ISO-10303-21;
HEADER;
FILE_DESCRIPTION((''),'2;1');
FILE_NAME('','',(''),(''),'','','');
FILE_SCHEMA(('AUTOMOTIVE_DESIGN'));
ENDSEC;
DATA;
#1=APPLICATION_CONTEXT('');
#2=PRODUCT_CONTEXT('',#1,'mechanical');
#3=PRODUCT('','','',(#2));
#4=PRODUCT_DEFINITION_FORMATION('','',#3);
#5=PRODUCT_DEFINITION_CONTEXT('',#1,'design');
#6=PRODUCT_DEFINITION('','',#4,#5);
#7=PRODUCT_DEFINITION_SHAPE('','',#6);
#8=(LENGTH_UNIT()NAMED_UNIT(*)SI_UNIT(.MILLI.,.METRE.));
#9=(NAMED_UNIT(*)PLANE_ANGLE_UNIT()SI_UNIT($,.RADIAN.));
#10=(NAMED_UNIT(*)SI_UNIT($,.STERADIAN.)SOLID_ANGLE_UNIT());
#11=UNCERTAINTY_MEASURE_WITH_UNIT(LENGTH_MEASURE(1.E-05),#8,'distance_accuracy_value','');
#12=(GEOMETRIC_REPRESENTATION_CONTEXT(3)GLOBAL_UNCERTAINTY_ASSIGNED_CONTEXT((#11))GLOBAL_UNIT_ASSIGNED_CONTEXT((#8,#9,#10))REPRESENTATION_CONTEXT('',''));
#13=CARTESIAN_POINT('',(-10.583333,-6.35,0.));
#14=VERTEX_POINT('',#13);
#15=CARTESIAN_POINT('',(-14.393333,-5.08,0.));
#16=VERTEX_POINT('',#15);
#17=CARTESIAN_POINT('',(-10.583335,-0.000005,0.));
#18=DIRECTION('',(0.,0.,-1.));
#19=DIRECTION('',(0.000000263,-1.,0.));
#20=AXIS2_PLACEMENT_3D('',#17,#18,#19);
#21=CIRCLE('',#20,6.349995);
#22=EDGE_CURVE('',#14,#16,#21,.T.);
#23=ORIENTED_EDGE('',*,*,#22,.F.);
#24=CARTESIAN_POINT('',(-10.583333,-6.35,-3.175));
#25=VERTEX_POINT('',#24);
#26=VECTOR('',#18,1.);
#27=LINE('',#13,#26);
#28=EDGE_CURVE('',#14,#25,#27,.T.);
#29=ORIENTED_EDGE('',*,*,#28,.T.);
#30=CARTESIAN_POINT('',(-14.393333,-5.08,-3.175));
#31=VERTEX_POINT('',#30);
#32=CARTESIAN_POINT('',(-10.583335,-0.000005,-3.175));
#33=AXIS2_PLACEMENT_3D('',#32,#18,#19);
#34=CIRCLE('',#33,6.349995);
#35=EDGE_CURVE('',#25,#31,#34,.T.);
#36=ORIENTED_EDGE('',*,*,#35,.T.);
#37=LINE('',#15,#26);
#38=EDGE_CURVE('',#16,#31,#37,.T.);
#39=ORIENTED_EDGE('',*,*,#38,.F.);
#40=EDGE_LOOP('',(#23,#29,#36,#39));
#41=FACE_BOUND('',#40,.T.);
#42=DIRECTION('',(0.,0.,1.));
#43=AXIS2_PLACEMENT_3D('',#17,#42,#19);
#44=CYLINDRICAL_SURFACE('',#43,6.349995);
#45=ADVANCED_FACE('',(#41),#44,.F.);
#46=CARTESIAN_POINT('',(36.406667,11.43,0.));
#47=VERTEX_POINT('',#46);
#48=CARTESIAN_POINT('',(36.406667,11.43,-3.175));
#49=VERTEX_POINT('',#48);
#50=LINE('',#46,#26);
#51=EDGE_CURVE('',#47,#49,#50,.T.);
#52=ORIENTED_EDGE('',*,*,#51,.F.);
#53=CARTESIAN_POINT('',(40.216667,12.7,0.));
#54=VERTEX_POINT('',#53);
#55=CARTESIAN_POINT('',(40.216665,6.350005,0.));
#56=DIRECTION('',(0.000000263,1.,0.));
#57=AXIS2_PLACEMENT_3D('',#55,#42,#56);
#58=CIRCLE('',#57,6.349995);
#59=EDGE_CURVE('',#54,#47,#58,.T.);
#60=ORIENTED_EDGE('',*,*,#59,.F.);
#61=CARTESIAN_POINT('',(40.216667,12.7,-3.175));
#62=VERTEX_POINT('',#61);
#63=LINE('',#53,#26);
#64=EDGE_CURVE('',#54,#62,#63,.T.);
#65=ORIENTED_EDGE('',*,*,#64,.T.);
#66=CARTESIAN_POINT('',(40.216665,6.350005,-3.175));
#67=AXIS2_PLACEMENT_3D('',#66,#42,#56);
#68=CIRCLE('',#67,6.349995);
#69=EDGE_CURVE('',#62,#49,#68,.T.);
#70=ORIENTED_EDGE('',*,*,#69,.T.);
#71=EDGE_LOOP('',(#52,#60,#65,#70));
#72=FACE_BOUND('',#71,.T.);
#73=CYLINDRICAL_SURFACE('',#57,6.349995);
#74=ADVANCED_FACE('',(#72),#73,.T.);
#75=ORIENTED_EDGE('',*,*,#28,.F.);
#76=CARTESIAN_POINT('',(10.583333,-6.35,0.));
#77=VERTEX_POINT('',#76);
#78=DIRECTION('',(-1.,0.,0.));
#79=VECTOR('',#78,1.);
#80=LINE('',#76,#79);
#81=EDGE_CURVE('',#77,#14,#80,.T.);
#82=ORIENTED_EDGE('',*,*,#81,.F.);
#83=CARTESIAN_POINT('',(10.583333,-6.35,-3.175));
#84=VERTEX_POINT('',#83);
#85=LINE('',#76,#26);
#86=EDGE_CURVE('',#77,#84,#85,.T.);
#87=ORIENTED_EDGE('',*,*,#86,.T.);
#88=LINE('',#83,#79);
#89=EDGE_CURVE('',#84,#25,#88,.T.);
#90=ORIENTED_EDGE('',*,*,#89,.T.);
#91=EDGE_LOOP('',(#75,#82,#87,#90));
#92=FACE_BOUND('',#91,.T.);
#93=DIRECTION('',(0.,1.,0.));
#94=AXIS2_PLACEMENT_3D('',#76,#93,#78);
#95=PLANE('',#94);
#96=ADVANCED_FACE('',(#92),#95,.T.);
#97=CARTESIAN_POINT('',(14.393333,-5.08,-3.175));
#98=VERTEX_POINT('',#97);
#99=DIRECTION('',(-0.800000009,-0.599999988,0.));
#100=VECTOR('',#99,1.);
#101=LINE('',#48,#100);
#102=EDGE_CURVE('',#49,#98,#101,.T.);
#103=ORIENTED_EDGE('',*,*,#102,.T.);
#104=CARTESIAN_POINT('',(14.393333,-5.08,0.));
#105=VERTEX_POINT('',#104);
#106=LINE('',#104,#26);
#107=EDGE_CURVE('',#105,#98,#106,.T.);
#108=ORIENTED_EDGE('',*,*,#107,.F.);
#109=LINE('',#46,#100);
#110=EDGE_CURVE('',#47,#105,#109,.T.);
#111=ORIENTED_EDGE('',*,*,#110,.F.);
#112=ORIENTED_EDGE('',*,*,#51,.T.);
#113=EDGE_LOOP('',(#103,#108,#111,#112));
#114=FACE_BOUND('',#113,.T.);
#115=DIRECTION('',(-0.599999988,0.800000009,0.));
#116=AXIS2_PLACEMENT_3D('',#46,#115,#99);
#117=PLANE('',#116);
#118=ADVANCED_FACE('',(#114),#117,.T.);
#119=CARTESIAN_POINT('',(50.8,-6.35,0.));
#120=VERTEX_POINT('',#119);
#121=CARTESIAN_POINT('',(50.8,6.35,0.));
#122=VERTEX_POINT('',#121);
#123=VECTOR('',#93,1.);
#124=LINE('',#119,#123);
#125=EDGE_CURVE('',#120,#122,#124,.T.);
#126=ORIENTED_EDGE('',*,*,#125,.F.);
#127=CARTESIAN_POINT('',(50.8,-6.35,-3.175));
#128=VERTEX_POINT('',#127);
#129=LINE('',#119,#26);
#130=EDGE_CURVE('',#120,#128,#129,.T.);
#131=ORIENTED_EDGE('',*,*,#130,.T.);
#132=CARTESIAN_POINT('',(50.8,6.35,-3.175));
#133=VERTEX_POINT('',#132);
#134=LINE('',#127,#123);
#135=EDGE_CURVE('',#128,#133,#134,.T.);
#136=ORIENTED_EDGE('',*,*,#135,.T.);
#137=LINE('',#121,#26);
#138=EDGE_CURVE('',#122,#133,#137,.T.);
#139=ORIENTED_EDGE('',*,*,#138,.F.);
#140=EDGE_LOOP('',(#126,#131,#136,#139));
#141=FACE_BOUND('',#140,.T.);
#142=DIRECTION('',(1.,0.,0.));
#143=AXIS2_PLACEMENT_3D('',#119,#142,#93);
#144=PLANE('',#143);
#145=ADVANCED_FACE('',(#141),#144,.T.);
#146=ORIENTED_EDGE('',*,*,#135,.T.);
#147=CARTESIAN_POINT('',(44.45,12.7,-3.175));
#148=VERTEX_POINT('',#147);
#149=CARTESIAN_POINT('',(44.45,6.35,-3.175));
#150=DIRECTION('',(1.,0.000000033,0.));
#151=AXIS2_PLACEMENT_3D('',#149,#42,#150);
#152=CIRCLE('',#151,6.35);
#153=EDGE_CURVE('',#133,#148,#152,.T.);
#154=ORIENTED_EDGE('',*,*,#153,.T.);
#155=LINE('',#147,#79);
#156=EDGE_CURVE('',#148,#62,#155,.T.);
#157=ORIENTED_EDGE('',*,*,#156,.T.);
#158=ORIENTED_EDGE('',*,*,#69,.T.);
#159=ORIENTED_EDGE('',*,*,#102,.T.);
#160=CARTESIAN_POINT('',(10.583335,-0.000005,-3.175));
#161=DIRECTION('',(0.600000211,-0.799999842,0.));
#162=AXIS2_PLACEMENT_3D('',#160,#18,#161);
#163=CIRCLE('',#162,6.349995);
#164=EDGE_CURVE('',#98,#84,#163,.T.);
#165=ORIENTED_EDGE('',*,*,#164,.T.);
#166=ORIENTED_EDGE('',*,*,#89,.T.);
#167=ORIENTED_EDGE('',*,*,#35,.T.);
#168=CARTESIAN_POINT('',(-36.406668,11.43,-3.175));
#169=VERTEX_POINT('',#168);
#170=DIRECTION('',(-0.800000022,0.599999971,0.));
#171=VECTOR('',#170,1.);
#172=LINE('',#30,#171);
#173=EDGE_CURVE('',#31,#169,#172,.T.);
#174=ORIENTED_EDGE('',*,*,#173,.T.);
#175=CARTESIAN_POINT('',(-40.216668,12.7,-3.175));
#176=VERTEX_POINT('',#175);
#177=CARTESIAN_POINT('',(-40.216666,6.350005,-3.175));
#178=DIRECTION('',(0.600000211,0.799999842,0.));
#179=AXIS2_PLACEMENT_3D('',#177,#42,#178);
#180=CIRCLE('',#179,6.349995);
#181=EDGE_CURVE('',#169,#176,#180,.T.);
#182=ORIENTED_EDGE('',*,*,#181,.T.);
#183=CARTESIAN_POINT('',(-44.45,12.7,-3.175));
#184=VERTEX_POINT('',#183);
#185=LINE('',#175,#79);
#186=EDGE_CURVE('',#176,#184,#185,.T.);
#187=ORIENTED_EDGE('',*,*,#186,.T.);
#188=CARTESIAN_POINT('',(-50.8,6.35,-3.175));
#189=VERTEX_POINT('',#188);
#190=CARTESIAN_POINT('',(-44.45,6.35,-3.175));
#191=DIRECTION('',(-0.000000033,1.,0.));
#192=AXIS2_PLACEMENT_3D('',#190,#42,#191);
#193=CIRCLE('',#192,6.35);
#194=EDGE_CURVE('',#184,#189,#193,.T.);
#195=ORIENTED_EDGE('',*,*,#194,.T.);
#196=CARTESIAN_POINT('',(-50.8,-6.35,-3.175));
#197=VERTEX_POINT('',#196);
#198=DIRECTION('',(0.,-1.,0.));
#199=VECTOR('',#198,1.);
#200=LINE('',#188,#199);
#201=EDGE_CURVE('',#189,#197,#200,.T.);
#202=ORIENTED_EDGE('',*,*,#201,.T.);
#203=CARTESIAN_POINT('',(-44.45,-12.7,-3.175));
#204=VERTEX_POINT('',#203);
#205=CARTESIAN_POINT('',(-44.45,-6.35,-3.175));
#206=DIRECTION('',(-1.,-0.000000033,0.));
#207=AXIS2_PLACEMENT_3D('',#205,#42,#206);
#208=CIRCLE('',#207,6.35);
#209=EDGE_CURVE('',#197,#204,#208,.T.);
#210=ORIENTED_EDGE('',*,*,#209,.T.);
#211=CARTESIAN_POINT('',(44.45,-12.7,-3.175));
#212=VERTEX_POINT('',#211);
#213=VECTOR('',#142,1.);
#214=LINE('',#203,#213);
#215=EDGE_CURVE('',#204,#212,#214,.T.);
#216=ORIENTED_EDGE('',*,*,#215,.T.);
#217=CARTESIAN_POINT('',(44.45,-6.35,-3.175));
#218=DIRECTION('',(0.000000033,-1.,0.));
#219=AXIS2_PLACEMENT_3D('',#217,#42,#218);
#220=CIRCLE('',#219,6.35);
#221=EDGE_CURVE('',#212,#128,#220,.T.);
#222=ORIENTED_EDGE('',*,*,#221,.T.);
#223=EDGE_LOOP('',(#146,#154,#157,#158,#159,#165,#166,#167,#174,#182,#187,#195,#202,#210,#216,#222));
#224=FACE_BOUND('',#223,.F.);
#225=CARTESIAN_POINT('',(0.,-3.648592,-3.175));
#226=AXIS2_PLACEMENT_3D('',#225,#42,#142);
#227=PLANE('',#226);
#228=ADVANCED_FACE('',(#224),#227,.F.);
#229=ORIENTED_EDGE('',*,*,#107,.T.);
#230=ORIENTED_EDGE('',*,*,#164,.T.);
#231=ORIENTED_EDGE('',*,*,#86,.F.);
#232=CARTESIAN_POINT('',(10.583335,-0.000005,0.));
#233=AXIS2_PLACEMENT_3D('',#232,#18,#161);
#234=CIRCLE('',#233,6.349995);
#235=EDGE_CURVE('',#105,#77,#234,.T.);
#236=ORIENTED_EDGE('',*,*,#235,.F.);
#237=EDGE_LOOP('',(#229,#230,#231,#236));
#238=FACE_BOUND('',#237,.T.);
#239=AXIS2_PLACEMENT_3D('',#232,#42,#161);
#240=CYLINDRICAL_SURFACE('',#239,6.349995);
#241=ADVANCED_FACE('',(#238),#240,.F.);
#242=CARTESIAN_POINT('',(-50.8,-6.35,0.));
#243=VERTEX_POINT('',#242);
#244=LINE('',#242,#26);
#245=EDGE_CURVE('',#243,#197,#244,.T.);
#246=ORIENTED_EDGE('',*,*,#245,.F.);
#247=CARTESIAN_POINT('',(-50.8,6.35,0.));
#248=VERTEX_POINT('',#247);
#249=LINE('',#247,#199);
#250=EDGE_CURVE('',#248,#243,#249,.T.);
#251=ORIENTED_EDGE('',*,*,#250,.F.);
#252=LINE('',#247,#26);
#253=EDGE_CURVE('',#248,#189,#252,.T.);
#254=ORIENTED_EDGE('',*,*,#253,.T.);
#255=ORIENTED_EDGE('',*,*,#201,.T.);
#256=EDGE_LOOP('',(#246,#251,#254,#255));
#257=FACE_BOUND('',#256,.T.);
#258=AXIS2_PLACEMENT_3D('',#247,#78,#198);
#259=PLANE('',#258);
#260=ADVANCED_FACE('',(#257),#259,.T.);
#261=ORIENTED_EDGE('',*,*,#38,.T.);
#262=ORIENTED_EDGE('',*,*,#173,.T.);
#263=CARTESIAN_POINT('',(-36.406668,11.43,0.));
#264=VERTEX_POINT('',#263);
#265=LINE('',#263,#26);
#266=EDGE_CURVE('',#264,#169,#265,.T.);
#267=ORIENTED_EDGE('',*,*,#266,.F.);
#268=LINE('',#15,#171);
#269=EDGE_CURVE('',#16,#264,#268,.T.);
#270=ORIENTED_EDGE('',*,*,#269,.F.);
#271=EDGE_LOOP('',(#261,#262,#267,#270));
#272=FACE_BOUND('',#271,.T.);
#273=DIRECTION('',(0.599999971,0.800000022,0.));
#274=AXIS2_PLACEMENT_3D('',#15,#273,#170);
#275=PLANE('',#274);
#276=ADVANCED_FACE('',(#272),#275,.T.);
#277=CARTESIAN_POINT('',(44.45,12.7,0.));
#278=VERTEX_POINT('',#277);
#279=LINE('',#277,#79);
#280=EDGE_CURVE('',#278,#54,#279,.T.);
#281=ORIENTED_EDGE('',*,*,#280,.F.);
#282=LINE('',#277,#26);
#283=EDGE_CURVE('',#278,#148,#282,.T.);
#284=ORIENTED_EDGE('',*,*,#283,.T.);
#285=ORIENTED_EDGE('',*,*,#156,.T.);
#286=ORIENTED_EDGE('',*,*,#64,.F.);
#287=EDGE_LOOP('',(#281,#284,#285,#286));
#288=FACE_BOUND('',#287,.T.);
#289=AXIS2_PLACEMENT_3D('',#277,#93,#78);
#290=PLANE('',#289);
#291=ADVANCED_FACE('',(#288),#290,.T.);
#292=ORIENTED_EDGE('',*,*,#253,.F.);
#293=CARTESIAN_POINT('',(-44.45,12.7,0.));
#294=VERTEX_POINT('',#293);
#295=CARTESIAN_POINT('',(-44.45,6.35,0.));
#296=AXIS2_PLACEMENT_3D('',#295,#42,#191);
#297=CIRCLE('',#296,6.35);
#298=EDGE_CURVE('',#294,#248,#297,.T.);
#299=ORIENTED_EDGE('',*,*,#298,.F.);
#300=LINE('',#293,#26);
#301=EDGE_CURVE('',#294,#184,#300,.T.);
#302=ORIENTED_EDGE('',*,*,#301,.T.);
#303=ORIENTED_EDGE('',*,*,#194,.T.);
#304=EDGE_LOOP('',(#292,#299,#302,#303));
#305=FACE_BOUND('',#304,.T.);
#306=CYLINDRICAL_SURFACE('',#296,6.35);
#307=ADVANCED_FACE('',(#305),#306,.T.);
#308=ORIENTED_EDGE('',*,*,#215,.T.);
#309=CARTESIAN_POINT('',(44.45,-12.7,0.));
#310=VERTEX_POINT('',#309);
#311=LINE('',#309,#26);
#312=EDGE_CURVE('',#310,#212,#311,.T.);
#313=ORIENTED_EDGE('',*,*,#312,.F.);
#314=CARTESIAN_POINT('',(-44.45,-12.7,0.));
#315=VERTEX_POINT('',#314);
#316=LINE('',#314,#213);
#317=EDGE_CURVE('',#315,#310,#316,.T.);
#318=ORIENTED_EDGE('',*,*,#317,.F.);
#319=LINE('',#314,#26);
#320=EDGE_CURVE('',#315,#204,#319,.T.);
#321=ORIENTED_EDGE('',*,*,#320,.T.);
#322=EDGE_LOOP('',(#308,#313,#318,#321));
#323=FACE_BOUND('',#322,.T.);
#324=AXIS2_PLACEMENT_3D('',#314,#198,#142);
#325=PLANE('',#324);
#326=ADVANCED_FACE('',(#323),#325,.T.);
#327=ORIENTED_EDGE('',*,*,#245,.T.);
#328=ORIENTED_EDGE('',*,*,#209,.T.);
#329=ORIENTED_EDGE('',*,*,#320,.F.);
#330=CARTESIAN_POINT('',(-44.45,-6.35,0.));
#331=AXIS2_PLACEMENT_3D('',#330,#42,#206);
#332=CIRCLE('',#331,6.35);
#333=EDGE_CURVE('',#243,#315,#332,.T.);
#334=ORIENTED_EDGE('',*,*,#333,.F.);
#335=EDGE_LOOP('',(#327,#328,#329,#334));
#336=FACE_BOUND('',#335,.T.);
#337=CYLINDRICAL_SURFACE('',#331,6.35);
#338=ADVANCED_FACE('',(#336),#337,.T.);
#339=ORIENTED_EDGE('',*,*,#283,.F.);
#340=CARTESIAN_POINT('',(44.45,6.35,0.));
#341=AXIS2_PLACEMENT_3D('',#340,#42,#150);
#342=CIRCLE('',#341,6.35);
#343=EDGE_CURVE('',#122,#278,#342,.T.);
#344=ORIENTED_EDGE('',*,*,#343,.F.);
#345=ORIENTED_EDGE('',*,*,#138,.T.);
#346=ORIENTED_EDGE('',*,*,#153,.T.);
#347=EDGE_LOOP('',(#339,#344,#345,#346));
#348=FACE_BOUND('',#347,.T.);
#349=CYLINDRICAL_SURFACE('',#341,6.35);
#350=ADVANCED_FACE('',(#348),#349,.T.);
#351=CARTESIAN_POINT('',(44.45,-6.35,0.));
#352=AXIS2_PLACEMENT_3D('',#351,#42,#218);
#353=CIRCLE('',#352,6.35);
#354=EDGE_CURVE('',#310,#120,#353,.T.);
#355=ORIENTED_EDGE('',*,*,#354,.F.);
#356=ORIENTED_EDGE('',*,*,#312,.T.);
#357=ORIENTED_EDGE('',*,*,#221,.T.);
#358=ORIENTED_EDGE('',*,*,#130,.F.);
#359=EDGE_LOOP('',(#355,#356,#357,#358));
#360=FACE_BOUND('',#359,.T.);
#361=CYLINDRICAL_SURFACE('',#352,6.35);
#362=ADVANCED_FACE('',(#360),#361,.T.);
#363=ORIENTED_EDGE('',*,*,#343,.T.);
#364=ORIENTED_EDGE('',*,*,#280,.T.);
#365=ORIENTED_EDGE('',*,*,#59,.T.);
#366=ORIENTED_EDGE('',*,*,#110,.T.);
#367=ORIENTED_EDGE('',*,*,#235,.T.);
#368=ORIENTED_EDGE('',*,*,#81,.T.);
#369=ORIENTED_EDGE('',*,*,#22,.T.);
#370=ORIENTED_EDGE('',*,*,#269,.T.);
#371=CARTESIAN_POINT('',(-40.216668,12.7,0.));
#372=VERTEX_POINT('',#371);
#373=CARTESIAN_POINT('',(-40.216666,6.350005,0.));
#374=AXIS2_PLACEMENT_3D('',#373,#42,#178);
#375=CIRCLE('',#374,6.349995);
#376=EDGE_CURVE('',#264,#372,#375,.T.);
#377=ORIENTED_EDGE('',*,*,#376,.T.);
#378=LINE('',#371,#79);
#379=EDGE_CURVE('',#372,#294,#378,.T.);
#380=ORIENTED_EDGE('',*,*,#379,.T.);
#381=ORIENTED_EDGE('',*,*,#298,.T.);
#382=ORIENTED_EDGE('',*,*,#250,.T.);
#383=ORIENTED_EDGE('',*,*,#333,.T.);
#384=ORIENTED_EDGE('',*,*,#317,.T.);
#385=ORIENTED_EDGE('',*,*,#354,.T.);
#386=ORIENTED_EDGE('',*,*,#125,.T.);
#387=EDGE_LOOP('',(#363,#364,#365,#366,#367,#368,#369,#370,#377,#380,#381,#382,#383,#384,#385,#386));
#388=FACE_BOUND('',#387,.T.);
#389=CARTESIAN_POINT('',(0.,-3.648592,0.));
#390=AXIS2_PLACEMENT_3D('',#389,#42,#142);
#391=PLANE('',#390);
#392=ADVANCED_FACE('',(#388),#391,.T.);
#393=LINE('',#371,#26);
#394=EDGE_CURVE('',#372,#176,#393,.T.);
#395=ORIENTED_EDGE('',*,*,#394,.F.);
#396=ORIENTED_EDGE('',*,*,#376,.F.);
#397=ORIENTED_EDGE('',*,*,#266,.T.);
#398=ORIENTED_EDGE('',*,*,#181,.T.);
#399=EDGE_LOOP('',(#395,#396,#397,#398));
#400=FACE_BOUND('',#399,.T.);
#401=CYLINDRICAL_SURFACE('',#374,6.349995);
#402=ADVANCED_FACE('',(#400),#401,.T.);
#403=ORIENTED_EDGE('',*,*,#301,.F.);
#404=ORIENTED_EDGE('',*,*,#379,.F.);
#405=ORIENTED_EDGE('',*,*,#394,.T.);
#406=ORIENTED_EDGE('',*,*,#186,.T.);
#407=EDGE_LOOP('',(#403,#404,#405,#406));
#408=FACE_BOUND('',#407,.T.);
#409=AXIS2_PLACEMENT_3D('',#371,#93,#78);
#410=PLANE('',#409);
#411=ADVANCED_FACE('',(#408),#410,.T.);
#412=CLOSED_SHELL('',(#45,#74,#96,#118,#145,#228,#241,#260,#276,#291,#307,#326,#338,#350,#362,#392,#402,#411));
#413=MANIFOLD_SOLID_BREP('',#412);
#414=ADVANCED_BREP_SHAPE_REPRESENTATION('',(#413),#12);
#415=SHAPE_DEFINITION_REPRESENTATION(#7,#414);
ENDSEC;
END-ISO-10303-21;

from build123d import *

# Parameters (mm, degrees)
F1_DEPTH = 3.175


with BuildPart() as f1:
    # F0 (on Top) → F1 (new body)
    with BuildSketch(Plane.XY):
        with BuildLine():
            ThreePointArc((-36.406668, 11.43), (-38.208621, 12.374139), (-40.216668, 12.7))
            Line((-40.216668, 12.7), (-44.45, 12.7))
            ThreePointArc((-44.45, 12.7), (-48.940128, 10.840128), (-50.8, 6.35))
            Line((-50.8, 6.35), (-50.8, -6.35))
            ThreePointArc((-50.8, -6.35), (-48.940128, -10.840128), (-44.45, -12.7))
            Line((-44.45, -12.7), (44.45, -12.7))
            ThreePointArc((44.45, -12.7), (48.940128, -10.840128), (50.8, -6.35))
            Line((50.8, -6.35), (50.8, 6.35))
            ThreePointArc((50.8, 6.35), (48.940128, 10.840128), (44.45, 12.7))
            Line((44.45, 12.7), (40.216667, 12.7))
            ThreePointArc((40.216667, 12.7), (38.20862, 12.374139), (36.406667, 11.43))
            Line((36.406667, 11.43), (14.393333, -5.08))
            ThreePointArc((14.393333, -5.08), (12.59138, -6.024139), (10.583333, -6.35))
            Line((10.583333, -6.35), (-10.583333, -6.35))
            ThreePointArc((-10.583333, -6.35), (-12.59138, -6.024139), (-14.393333, -5.08))
            Line((-14.393333, -5.08), (-36.406668, 11.43))
        make_face()
    extrude(amount=-F1_DEPTH)


solid = f1.part
